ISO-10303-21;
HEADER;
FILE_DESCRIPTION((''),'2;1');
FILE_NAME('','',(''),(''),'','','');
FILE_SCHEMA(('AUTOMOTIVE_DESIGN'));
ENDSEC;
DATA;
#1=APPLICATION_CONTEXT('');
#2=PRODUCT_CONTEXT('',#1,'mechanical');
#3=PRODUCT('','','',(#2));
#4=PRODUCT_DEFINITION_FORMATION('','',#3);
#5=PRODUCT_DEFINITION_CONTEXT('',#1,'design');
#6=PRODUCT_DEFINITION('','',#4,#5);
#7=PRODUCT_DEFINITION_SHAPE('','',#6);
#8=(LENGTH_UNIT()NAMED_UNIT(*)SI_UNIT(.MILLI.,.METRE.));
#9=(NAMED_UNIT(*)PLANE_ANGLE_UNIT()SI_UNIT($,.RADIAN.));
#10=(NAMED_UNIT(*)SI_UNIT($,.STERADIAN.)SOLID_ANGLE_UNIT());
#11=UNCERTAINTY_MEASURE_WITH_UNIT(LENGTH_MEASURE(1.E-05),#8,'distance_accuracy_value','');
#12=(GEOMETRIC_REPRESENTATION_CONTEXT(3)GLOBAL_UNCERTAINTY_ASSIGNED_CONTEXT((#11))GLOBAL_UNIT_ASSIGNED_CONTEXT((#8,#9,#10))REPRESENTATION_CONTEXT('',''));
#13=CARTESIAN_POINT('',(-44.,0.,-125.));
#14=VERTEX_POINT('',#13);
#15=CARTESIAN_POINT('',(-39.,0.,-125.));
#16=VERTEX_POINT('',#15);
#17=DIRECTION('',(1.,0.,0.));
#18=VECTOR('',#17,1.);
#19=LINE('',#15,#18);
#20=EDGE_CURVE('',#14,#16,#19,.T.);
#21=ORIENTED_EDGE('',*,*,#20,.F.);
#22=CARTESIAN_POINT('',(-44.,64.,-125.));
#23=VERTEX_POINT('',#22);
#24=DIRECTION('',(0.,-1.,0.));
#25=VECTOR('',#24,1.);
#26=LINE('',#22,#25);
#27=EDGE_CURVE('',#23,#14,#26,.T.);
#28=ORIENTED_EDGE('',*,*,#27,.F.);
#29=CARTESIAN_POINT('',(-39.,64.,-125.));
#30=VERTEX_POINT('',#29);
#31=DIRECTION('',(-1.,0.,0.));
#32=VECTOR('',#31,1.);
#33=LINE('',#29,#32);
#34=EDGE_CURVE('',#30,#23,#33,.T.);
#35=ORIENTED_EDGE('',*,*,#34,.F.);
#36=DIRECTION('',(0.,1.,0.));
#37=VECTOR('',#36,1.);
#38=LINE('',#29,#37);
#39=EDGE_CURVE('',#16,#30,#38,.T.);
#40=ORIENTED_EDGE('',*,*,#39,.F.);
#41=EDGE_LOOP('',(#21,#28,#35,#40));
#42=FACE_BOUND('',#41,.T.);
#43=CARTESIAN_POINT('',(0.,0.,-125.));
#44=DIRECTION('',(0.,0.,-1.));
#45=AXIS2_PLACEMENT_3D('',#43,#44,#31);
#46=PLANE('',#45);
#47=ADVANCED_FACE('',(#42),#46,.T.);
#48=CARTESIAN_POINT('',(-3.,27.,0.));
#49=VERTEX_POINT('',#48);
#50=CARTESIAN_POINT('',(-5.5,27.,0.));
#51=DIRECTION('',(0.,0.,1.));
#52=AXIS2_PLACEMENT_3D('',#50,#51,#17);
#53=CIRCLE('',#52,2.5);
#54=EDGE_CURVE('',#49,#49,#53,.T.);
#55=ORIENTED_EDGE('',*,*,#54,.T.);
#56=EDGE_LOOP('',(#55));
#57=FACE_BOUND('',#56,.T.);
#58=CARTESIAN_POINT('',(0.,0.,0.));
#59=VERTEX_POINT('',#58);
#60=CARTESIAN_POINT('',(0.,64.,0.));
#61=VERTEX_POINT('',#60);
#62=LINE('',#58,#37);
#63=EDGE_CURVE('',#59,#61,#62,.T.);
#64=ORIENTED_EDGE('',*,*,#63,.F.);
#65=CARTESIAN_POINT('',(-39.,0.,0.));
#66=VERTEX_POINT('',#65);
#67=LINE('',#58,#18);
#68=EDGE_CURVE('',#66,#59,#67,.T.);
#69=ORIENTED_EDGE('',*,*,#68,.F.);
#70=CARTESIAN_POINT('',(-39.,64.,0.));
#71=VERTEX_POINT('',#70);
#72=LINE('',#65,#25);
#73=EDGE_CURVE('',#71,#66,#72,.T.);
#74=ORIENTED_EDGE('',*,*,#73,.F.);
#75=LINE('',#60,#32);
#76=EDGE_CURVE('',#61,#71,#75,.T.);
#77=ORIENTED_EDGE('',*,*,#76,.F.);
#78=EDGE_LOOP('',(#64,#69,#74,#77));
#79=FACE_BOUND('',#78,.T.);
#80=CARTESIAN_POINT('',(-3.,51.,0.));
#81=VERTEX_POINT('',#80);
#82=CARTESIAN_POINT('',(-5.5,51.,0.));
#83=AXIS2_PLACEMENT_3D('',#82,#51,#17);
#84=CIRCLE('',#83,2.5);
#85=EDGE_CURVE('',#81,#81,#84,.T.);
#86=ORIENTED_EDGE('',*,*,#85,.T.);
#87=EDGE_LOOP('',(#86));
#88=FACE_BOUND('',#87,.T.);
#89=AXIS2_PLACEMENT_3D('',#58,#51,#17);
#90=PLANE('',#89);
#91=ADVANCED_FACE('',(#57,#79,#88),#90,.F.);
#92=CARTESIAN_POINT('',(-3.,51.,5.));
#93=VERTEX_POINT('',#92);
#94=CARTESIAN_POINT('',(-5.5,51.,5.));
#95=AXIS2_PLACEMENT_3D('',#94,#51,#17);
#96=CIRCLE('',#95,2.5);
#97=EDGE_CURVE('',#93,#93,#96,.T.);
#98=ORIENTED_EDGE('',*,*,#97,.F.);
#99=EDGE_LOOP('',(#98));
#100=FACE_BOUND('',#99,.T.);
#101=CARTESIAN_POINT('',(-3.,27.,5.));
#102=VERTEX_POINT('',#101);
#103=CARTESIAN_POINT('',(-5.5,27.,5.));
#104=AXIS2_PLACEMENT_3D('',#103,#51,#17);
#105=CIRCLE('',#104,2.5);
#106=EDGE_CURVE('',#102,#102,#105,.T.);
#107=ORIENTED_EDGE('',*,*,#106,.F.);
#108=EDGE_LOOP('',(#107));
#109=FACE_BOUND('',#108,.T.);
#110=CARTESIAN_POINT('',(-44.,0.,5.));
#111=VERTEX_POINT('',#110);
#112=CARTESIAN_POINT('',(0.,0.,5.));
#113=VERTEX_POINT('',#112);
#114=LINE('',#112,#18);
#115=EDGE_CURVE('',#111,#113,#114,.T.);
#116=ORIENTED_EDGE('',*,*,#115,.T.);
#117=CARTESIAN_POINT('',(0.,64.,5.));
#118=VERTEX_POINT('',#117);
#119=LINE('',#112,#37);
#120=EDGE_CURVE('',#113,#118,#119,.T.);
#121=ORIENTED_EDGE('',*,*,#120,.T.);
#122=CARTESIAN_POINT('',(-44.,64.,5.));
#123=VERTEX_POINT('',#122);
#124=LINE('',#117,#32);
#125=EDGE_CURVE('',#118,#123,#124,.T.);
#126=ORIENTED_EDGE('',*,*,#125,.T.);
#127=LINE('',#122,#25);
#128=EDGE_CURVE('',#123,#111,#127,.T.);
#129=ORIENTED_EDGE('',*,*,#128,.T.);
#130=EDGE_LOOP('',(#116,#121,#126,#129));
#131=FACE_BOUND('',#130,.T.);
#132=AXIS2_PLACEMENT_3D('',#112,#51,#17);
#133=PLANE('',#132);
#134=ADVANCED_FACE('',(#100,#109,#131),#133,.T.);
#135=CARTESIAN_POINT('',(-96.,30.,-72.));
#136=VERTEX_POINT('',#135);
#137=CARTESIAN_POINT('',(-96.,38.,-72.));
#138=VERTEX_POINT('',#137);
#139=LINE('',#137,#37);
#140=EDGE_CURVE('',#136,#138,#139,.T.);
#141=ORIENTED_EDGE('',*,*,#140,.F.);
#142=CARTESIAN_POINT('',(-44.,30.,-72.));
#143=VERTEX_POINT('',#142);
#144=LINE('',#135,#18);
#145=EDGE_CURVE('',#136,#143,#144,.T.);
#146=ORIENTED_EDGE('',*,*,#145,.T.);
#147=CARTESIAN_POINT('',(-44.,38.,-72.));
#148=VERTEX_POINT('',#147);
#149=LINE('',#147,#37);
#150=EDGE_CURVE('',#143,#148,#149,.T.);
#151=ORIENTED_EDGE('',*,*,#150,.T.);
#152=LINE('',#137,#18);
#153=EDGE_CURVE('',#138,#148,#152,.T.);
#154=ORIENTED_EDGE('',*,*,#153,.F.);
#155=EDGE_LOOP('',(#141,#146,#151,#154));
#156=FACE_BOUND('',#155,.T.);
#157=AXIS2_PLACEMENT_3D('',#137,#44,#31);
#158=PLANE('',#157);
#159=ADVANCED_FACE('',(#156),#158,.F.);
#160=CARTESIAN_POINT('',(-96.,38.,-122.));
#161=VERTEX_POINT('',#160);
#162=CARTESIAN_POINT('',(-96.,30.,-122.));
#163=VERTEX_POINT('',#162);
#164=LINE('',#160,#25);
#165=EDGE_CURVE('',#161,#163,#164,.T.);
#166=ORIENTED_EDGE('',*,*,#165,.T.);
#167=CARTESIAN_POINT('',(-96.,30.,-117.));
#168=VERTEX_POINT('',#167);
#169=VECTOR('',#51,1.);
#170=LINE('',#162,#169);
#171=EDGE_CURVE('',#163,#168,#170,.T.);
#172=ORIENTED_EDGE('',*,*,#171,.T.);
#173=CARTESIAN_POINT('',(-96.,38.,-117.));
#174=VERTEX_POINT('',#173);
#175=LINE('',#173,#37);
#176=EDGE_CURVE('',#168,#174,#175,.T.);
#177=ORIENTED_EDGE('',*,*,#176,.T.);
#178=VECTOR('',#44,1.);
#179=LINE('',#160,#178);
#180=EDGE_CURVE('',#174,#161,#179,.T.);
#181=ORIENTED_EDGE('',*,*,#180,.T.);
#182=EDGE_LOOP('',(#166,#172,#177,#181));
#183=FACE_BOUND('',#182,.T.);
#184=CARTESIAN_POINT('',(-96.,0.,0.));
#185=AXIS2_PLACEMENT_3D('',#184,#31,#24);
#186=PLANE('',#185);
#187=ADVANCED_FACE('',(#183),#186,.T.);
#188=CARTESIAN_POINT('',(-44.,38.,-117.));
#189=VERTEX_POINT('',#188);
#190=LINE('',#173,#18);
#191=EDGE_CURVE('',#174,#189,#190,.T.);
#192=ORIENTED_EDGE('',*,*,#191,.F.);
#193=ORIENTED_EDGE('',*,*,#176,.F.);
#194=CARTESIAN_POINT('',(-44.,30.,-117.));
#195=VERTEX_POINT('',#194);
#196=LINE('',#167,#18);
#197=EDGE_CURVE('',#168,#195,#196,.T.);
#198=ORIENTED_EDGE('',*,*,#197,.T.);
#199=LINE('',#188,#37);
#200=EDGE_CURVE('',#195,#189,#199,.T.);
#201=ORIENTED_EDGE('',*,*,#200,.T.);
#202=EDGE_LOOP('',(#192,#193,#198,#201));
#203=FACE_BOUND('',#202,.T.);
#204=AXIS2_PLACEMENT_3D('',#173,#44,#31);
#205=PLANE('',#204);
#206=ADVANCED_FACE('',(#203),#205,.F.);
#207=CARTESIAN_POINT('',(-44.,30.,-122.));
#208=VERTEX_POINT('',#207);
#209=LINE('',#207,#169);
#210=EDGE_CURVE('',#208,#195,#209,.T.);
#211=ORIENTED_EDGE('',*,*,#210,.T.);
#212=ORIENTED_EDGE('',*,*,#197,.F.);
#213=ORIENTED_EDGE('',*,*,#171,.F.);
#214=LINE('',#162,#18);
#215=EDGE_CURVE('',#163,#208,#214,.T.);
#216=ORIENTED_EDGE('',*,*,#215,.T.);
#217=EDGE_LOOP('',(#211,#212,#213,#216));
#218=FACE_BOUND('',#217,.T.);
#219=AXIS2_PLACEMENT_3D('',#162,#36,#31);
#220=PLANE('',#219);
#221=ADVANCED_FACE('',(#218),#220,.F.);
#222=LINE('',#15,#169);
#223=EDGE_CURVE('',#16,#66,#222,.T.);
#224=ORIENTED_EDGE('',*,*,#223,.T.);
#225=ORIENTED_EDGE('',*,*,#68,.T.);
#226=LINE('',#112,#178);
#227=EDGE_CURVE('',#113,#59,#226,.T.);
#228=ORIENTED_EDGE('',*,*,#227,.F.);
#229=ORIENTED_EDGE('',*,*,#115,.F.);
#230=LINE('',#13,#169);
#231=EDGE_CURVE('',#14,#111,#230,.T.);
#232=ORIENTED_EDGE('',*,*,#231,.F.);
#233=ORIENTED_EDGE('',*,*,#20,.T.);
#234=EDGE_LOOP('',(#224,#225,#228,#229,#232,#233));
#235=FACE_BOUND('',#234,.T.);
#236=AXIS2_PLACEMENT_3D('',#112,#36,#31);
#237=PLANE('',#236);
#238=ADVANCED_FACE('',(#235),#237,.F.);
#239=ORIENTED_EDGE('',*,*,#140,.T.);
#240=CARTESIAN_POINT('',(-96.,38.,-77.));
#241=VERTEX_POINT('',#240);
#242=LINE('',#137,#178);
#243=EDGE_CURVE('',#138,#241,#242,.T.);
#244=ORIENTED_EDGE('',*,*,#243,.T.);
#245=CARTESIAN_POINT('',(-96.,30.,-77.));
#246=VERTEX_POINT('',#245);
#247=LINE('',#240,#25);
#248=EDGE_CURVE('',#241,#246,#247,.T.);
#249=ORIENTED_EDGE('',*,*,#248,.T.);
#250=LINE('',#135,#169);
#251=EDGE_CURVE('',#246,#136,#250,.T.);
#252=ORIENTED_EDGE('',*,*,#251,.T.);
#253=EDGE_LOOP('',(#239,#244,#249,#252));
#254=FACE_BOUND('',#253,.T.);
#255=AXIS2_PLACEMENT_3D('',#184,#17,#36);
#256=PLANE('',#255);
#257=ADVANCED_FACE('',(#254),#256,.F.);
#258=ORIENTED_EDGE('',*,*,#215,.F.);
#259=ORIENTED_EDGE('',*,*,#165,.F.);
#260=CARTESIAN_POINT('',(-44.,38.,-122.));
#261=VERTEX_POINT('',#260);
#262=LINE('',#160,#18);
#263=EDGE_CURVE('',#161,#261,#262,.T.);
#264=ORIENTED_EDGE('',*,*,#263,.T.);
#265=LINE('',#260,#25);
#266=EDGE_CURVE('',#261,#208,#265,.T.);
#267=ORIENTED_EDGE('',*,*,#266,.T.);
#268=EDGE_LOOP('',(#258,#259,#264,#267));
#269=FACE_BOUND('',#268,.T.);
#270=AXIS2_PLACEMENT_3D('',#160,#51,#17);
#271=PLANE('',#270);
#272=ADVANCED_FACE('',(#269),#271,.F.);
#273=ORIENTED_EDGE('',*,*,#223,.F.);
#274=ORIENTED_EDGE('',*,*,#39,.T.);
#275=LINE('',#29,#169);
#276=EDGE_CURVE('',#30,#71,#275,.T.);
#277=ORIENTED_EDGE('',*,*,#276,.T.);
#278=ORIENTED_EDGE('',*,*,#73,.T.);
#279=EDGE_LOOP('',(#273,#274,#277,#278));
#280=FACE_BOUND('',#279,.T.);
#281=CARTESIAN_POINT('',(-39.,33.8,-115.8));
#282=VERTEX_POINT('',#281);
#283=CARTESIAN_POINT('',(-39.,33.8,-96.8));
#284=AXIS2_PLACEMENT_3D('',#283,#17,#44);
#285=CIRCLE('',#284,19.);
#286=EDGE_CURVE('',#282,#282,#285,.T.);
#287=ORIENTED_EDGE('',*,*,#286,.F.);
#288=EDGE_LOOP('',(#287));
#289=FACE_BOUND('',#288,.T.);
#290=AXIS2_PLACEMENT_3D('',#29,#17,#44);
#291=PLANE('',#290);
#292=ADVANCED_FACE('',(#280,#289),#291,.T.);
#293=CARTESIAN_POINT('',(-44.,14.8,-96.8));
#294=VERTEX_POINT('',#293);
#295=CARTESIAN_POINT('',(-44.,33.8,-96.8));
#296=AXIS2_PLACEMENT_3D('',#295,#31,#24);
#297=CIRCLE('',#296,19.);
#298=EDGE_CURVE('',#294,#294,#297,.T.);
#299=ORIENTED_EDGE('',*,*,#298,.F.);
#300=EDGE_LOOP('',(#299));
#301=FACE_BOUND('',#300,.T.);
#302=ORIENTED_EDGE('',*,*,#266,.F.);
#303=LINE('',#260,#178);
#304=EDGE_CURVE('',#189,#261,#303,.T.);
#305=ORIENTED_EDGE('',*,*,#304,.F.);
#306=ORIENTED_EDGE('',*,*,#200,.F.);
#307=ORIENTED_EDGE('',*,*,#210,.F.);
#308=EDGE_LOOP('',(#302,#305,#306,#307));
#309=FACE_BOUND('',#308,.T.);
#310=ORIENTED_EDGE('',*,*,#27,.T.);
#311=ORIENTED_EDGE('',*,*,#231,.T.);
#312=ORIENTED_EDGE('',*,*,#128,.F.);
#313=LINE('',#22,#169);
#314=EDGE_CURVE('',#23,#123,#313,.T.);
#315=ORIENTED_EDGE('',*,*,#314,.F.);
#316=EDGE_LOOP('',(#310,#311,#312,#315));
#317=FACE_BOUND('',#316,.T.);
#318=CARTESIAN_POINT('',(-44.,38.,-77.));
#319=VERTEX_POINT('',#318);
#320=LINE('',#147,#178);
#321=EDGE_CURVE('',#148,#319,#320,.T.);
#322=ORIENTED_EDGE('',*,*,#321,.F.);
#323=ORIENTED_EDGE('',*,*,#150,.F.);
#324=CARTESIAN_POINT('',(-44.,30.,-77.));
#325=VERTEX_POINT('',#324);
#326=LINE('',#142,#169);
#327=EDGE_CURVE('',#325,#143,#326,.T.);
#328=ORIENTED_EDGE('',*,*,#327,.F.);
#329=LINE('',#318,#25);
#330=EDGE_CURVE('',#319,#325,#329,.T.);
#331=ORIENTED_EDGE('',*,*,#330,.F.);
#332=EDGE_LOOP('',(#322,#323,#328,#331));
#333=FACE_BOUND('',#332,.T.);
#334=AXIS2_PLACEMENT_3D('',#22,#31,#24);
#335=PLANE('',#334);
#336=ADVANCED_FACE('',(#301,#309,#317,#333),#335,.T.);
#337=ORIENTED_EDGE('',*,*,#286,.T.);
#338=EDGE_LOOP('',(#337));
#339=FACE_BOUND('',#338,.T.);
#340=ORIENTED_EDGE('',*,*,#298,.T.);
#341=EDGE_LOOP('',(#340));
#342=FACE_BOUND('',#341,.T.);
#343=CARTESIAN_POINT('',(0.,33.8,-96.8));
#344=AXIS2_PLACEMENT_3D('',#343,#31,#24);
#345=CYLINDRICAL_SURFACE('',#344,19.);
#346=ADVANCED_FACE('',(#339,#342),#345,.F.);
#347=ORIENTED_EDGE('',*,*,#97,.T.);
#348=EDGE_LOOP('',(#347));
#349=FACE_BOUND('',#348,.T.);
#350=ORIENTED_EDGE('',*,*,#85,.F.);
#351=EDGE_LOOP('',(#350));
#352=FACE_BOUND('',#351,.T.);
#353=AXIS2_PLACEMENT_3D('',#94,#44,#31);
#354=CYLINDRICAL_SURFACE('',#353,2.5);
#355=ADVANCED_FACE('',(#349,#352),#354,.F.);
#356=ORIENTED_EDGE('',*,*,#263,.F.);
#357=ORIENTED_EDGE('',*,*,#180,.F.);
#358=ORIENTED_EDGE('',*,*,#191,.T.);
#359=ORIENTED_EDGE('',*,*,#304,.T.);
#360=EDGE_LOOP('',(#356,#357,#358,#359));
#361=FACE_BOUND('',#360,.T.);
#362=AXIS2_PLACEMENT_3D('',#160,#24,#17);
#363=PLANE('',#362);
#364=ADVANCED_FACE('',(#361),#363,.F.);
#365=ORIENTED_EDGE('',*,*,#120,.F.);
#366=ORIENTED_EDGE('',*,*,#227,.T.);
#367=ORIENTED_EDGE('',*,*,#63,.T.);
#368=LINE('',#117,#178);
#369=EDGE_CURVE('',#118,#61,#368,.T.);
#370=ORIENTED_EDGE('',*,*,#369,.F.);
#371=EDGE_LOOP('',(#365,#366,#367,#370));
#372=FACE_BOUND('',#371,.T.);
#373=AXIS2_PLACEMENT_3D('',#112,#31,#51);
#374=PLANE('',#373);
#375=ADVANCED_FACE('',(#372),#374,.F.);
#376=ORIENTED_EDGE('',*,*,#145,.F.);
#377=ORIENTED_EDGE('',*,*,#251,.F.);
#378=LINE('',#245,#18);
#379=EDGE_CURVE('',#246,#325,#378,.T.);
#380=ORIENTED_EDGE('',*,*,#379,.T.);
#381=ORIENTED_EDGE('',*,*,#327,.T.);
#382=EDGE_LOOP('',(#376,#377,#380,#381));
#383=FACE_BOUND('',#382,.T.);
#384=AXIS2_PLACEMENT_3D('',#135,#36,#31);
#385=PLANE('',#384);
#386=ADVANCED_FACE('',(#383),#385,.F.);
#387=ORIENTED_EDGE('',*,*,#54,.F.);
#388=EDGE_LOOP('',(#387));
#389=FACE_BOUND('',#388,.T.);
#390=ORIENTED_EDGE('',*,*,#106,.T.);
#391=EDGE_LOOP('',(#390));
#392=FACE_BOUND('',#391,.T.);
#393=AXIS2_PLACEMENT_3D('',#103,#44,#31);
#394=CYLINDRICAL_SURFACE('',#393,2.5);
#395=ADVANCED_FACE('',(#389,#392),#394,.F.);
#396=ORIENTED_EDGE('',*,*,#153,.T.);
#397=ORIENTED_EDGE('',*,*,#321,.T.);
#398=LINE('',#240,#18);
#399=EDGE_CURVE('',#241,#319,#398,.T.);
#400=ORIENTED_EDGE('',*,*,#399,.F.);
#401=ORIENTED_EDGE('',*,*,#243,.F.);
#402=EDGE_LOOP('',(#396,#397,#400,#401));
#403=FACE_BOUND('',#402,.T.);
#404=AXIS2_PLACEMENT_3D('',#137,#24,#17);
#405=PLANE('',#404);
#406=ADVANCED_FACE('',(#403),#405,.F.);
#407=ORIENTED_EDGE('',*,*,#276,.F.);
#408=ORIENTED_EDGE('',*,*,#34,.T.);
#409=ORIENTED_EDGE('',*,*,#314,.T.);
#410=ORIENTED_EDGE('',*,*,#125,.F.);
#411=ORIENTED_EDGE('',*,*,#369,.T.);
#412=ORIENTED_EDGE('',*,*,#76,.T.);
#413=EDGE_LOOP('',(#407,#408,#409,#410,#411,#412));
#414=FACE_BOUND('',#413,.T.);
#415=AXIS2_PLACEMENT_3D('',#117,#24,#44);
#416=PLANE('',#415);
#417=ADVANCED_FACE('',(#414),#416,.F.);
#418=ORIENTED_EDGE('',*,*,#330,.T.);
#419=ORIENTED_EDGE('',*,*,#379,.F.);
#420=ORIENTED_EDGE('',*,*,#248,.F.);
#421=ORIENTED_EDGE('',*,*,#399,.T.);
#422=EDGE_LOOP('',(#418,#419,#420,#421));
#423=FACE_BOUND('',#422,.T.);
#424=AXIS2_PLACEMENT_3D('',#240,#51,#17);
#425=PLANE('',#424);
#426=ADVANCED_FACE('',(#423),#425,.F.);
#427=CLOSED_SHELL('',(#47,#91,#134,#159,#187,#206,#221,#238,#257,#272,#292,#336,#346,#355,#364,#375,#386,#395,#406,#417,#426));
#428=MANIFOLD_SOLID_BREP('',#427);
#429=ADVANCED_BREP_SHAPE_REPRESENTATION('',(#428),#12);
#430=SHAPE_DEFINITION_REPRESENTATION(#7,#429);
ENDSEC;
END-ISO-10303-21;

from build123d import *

# Parameters (mm, degrees)
ESQUISSE1_W             = 39
ESQUISSE1_H             = 64
ESQUISSE1_R             = 2.5
BOSS_EXTRU_1_DEPTH      = 5
ESQUISSE2_W             = 5
ESQUISSE2_H             = 64
BOSS_EXTRU_2_DEPTH      = 130
ESQUISSE3_R             = 19
ENL_V_MAT_EXTRU_1_DEPTH = 148.163174742
ESQUISSE4_W             = 5
ESQUISSE4_H             = 8
BOSS_EXTRU_3_DEPTH      = 52


with BuildPart() as part:
    # Esquisse1 → Boss.-Extru.1 (new body)
    with BuildSketch(Plane.XY):
        with Locations((-19.5, 32)):
            Rectangle(ESQUISSE1_W, ESQUISSE1_H)
        with Locations((-5.5, 51)):
            Circle(ESQUISSE1_R, mode=Mode.SUBTRACT)
        with Locations((-5.5, 27)):
            Circle(ESQUISSE1_R, mode=Mode.SUBTRACT)
    extrude(amount=BOSS_EXTRU_1_DEPTH)

    # Esquisse2 → Boss.-Extru.2 (add)
    with BuildSketch(Plane.XY.offset(5)):
        with Locations((-41.5, 32)):
            Rectangle(ESQUISSE2_W, ESQUISSE2_H)
    extrude(amount=-BOSS_EXTRU_2_DEPTH)

    # Esquisse3 → Enlèv. mat.-Extru.1 (cut, through all)
    with BuildSketch(Plane.ZY.offset(44)):
        with Locations(Location((-96.8, 33.8, 0), (0, 0, 270))):
            Circle(ESQUISSE3_R)
    extrude(amount=-ENL_V_MAT_EXTRU_1_DEPTH, mode=Mode.SUBTRACT)

    # Esquisse4 → Boss.-Extru.3 (add)
    with BuildSketch(Plane.ZY.offset(44)):
        with Locations((-74.5, 34)):
            Rectangle(ESQUISSE4_W, ESQUISSE4_H)
        with Locations((-119.5, 34)):
            Rectangle(ESQUISSE4_W, ESQUISSE4_H)
    extrude(amount=BOSS_EXTRU_3_DEPTH)


solid = part.part
